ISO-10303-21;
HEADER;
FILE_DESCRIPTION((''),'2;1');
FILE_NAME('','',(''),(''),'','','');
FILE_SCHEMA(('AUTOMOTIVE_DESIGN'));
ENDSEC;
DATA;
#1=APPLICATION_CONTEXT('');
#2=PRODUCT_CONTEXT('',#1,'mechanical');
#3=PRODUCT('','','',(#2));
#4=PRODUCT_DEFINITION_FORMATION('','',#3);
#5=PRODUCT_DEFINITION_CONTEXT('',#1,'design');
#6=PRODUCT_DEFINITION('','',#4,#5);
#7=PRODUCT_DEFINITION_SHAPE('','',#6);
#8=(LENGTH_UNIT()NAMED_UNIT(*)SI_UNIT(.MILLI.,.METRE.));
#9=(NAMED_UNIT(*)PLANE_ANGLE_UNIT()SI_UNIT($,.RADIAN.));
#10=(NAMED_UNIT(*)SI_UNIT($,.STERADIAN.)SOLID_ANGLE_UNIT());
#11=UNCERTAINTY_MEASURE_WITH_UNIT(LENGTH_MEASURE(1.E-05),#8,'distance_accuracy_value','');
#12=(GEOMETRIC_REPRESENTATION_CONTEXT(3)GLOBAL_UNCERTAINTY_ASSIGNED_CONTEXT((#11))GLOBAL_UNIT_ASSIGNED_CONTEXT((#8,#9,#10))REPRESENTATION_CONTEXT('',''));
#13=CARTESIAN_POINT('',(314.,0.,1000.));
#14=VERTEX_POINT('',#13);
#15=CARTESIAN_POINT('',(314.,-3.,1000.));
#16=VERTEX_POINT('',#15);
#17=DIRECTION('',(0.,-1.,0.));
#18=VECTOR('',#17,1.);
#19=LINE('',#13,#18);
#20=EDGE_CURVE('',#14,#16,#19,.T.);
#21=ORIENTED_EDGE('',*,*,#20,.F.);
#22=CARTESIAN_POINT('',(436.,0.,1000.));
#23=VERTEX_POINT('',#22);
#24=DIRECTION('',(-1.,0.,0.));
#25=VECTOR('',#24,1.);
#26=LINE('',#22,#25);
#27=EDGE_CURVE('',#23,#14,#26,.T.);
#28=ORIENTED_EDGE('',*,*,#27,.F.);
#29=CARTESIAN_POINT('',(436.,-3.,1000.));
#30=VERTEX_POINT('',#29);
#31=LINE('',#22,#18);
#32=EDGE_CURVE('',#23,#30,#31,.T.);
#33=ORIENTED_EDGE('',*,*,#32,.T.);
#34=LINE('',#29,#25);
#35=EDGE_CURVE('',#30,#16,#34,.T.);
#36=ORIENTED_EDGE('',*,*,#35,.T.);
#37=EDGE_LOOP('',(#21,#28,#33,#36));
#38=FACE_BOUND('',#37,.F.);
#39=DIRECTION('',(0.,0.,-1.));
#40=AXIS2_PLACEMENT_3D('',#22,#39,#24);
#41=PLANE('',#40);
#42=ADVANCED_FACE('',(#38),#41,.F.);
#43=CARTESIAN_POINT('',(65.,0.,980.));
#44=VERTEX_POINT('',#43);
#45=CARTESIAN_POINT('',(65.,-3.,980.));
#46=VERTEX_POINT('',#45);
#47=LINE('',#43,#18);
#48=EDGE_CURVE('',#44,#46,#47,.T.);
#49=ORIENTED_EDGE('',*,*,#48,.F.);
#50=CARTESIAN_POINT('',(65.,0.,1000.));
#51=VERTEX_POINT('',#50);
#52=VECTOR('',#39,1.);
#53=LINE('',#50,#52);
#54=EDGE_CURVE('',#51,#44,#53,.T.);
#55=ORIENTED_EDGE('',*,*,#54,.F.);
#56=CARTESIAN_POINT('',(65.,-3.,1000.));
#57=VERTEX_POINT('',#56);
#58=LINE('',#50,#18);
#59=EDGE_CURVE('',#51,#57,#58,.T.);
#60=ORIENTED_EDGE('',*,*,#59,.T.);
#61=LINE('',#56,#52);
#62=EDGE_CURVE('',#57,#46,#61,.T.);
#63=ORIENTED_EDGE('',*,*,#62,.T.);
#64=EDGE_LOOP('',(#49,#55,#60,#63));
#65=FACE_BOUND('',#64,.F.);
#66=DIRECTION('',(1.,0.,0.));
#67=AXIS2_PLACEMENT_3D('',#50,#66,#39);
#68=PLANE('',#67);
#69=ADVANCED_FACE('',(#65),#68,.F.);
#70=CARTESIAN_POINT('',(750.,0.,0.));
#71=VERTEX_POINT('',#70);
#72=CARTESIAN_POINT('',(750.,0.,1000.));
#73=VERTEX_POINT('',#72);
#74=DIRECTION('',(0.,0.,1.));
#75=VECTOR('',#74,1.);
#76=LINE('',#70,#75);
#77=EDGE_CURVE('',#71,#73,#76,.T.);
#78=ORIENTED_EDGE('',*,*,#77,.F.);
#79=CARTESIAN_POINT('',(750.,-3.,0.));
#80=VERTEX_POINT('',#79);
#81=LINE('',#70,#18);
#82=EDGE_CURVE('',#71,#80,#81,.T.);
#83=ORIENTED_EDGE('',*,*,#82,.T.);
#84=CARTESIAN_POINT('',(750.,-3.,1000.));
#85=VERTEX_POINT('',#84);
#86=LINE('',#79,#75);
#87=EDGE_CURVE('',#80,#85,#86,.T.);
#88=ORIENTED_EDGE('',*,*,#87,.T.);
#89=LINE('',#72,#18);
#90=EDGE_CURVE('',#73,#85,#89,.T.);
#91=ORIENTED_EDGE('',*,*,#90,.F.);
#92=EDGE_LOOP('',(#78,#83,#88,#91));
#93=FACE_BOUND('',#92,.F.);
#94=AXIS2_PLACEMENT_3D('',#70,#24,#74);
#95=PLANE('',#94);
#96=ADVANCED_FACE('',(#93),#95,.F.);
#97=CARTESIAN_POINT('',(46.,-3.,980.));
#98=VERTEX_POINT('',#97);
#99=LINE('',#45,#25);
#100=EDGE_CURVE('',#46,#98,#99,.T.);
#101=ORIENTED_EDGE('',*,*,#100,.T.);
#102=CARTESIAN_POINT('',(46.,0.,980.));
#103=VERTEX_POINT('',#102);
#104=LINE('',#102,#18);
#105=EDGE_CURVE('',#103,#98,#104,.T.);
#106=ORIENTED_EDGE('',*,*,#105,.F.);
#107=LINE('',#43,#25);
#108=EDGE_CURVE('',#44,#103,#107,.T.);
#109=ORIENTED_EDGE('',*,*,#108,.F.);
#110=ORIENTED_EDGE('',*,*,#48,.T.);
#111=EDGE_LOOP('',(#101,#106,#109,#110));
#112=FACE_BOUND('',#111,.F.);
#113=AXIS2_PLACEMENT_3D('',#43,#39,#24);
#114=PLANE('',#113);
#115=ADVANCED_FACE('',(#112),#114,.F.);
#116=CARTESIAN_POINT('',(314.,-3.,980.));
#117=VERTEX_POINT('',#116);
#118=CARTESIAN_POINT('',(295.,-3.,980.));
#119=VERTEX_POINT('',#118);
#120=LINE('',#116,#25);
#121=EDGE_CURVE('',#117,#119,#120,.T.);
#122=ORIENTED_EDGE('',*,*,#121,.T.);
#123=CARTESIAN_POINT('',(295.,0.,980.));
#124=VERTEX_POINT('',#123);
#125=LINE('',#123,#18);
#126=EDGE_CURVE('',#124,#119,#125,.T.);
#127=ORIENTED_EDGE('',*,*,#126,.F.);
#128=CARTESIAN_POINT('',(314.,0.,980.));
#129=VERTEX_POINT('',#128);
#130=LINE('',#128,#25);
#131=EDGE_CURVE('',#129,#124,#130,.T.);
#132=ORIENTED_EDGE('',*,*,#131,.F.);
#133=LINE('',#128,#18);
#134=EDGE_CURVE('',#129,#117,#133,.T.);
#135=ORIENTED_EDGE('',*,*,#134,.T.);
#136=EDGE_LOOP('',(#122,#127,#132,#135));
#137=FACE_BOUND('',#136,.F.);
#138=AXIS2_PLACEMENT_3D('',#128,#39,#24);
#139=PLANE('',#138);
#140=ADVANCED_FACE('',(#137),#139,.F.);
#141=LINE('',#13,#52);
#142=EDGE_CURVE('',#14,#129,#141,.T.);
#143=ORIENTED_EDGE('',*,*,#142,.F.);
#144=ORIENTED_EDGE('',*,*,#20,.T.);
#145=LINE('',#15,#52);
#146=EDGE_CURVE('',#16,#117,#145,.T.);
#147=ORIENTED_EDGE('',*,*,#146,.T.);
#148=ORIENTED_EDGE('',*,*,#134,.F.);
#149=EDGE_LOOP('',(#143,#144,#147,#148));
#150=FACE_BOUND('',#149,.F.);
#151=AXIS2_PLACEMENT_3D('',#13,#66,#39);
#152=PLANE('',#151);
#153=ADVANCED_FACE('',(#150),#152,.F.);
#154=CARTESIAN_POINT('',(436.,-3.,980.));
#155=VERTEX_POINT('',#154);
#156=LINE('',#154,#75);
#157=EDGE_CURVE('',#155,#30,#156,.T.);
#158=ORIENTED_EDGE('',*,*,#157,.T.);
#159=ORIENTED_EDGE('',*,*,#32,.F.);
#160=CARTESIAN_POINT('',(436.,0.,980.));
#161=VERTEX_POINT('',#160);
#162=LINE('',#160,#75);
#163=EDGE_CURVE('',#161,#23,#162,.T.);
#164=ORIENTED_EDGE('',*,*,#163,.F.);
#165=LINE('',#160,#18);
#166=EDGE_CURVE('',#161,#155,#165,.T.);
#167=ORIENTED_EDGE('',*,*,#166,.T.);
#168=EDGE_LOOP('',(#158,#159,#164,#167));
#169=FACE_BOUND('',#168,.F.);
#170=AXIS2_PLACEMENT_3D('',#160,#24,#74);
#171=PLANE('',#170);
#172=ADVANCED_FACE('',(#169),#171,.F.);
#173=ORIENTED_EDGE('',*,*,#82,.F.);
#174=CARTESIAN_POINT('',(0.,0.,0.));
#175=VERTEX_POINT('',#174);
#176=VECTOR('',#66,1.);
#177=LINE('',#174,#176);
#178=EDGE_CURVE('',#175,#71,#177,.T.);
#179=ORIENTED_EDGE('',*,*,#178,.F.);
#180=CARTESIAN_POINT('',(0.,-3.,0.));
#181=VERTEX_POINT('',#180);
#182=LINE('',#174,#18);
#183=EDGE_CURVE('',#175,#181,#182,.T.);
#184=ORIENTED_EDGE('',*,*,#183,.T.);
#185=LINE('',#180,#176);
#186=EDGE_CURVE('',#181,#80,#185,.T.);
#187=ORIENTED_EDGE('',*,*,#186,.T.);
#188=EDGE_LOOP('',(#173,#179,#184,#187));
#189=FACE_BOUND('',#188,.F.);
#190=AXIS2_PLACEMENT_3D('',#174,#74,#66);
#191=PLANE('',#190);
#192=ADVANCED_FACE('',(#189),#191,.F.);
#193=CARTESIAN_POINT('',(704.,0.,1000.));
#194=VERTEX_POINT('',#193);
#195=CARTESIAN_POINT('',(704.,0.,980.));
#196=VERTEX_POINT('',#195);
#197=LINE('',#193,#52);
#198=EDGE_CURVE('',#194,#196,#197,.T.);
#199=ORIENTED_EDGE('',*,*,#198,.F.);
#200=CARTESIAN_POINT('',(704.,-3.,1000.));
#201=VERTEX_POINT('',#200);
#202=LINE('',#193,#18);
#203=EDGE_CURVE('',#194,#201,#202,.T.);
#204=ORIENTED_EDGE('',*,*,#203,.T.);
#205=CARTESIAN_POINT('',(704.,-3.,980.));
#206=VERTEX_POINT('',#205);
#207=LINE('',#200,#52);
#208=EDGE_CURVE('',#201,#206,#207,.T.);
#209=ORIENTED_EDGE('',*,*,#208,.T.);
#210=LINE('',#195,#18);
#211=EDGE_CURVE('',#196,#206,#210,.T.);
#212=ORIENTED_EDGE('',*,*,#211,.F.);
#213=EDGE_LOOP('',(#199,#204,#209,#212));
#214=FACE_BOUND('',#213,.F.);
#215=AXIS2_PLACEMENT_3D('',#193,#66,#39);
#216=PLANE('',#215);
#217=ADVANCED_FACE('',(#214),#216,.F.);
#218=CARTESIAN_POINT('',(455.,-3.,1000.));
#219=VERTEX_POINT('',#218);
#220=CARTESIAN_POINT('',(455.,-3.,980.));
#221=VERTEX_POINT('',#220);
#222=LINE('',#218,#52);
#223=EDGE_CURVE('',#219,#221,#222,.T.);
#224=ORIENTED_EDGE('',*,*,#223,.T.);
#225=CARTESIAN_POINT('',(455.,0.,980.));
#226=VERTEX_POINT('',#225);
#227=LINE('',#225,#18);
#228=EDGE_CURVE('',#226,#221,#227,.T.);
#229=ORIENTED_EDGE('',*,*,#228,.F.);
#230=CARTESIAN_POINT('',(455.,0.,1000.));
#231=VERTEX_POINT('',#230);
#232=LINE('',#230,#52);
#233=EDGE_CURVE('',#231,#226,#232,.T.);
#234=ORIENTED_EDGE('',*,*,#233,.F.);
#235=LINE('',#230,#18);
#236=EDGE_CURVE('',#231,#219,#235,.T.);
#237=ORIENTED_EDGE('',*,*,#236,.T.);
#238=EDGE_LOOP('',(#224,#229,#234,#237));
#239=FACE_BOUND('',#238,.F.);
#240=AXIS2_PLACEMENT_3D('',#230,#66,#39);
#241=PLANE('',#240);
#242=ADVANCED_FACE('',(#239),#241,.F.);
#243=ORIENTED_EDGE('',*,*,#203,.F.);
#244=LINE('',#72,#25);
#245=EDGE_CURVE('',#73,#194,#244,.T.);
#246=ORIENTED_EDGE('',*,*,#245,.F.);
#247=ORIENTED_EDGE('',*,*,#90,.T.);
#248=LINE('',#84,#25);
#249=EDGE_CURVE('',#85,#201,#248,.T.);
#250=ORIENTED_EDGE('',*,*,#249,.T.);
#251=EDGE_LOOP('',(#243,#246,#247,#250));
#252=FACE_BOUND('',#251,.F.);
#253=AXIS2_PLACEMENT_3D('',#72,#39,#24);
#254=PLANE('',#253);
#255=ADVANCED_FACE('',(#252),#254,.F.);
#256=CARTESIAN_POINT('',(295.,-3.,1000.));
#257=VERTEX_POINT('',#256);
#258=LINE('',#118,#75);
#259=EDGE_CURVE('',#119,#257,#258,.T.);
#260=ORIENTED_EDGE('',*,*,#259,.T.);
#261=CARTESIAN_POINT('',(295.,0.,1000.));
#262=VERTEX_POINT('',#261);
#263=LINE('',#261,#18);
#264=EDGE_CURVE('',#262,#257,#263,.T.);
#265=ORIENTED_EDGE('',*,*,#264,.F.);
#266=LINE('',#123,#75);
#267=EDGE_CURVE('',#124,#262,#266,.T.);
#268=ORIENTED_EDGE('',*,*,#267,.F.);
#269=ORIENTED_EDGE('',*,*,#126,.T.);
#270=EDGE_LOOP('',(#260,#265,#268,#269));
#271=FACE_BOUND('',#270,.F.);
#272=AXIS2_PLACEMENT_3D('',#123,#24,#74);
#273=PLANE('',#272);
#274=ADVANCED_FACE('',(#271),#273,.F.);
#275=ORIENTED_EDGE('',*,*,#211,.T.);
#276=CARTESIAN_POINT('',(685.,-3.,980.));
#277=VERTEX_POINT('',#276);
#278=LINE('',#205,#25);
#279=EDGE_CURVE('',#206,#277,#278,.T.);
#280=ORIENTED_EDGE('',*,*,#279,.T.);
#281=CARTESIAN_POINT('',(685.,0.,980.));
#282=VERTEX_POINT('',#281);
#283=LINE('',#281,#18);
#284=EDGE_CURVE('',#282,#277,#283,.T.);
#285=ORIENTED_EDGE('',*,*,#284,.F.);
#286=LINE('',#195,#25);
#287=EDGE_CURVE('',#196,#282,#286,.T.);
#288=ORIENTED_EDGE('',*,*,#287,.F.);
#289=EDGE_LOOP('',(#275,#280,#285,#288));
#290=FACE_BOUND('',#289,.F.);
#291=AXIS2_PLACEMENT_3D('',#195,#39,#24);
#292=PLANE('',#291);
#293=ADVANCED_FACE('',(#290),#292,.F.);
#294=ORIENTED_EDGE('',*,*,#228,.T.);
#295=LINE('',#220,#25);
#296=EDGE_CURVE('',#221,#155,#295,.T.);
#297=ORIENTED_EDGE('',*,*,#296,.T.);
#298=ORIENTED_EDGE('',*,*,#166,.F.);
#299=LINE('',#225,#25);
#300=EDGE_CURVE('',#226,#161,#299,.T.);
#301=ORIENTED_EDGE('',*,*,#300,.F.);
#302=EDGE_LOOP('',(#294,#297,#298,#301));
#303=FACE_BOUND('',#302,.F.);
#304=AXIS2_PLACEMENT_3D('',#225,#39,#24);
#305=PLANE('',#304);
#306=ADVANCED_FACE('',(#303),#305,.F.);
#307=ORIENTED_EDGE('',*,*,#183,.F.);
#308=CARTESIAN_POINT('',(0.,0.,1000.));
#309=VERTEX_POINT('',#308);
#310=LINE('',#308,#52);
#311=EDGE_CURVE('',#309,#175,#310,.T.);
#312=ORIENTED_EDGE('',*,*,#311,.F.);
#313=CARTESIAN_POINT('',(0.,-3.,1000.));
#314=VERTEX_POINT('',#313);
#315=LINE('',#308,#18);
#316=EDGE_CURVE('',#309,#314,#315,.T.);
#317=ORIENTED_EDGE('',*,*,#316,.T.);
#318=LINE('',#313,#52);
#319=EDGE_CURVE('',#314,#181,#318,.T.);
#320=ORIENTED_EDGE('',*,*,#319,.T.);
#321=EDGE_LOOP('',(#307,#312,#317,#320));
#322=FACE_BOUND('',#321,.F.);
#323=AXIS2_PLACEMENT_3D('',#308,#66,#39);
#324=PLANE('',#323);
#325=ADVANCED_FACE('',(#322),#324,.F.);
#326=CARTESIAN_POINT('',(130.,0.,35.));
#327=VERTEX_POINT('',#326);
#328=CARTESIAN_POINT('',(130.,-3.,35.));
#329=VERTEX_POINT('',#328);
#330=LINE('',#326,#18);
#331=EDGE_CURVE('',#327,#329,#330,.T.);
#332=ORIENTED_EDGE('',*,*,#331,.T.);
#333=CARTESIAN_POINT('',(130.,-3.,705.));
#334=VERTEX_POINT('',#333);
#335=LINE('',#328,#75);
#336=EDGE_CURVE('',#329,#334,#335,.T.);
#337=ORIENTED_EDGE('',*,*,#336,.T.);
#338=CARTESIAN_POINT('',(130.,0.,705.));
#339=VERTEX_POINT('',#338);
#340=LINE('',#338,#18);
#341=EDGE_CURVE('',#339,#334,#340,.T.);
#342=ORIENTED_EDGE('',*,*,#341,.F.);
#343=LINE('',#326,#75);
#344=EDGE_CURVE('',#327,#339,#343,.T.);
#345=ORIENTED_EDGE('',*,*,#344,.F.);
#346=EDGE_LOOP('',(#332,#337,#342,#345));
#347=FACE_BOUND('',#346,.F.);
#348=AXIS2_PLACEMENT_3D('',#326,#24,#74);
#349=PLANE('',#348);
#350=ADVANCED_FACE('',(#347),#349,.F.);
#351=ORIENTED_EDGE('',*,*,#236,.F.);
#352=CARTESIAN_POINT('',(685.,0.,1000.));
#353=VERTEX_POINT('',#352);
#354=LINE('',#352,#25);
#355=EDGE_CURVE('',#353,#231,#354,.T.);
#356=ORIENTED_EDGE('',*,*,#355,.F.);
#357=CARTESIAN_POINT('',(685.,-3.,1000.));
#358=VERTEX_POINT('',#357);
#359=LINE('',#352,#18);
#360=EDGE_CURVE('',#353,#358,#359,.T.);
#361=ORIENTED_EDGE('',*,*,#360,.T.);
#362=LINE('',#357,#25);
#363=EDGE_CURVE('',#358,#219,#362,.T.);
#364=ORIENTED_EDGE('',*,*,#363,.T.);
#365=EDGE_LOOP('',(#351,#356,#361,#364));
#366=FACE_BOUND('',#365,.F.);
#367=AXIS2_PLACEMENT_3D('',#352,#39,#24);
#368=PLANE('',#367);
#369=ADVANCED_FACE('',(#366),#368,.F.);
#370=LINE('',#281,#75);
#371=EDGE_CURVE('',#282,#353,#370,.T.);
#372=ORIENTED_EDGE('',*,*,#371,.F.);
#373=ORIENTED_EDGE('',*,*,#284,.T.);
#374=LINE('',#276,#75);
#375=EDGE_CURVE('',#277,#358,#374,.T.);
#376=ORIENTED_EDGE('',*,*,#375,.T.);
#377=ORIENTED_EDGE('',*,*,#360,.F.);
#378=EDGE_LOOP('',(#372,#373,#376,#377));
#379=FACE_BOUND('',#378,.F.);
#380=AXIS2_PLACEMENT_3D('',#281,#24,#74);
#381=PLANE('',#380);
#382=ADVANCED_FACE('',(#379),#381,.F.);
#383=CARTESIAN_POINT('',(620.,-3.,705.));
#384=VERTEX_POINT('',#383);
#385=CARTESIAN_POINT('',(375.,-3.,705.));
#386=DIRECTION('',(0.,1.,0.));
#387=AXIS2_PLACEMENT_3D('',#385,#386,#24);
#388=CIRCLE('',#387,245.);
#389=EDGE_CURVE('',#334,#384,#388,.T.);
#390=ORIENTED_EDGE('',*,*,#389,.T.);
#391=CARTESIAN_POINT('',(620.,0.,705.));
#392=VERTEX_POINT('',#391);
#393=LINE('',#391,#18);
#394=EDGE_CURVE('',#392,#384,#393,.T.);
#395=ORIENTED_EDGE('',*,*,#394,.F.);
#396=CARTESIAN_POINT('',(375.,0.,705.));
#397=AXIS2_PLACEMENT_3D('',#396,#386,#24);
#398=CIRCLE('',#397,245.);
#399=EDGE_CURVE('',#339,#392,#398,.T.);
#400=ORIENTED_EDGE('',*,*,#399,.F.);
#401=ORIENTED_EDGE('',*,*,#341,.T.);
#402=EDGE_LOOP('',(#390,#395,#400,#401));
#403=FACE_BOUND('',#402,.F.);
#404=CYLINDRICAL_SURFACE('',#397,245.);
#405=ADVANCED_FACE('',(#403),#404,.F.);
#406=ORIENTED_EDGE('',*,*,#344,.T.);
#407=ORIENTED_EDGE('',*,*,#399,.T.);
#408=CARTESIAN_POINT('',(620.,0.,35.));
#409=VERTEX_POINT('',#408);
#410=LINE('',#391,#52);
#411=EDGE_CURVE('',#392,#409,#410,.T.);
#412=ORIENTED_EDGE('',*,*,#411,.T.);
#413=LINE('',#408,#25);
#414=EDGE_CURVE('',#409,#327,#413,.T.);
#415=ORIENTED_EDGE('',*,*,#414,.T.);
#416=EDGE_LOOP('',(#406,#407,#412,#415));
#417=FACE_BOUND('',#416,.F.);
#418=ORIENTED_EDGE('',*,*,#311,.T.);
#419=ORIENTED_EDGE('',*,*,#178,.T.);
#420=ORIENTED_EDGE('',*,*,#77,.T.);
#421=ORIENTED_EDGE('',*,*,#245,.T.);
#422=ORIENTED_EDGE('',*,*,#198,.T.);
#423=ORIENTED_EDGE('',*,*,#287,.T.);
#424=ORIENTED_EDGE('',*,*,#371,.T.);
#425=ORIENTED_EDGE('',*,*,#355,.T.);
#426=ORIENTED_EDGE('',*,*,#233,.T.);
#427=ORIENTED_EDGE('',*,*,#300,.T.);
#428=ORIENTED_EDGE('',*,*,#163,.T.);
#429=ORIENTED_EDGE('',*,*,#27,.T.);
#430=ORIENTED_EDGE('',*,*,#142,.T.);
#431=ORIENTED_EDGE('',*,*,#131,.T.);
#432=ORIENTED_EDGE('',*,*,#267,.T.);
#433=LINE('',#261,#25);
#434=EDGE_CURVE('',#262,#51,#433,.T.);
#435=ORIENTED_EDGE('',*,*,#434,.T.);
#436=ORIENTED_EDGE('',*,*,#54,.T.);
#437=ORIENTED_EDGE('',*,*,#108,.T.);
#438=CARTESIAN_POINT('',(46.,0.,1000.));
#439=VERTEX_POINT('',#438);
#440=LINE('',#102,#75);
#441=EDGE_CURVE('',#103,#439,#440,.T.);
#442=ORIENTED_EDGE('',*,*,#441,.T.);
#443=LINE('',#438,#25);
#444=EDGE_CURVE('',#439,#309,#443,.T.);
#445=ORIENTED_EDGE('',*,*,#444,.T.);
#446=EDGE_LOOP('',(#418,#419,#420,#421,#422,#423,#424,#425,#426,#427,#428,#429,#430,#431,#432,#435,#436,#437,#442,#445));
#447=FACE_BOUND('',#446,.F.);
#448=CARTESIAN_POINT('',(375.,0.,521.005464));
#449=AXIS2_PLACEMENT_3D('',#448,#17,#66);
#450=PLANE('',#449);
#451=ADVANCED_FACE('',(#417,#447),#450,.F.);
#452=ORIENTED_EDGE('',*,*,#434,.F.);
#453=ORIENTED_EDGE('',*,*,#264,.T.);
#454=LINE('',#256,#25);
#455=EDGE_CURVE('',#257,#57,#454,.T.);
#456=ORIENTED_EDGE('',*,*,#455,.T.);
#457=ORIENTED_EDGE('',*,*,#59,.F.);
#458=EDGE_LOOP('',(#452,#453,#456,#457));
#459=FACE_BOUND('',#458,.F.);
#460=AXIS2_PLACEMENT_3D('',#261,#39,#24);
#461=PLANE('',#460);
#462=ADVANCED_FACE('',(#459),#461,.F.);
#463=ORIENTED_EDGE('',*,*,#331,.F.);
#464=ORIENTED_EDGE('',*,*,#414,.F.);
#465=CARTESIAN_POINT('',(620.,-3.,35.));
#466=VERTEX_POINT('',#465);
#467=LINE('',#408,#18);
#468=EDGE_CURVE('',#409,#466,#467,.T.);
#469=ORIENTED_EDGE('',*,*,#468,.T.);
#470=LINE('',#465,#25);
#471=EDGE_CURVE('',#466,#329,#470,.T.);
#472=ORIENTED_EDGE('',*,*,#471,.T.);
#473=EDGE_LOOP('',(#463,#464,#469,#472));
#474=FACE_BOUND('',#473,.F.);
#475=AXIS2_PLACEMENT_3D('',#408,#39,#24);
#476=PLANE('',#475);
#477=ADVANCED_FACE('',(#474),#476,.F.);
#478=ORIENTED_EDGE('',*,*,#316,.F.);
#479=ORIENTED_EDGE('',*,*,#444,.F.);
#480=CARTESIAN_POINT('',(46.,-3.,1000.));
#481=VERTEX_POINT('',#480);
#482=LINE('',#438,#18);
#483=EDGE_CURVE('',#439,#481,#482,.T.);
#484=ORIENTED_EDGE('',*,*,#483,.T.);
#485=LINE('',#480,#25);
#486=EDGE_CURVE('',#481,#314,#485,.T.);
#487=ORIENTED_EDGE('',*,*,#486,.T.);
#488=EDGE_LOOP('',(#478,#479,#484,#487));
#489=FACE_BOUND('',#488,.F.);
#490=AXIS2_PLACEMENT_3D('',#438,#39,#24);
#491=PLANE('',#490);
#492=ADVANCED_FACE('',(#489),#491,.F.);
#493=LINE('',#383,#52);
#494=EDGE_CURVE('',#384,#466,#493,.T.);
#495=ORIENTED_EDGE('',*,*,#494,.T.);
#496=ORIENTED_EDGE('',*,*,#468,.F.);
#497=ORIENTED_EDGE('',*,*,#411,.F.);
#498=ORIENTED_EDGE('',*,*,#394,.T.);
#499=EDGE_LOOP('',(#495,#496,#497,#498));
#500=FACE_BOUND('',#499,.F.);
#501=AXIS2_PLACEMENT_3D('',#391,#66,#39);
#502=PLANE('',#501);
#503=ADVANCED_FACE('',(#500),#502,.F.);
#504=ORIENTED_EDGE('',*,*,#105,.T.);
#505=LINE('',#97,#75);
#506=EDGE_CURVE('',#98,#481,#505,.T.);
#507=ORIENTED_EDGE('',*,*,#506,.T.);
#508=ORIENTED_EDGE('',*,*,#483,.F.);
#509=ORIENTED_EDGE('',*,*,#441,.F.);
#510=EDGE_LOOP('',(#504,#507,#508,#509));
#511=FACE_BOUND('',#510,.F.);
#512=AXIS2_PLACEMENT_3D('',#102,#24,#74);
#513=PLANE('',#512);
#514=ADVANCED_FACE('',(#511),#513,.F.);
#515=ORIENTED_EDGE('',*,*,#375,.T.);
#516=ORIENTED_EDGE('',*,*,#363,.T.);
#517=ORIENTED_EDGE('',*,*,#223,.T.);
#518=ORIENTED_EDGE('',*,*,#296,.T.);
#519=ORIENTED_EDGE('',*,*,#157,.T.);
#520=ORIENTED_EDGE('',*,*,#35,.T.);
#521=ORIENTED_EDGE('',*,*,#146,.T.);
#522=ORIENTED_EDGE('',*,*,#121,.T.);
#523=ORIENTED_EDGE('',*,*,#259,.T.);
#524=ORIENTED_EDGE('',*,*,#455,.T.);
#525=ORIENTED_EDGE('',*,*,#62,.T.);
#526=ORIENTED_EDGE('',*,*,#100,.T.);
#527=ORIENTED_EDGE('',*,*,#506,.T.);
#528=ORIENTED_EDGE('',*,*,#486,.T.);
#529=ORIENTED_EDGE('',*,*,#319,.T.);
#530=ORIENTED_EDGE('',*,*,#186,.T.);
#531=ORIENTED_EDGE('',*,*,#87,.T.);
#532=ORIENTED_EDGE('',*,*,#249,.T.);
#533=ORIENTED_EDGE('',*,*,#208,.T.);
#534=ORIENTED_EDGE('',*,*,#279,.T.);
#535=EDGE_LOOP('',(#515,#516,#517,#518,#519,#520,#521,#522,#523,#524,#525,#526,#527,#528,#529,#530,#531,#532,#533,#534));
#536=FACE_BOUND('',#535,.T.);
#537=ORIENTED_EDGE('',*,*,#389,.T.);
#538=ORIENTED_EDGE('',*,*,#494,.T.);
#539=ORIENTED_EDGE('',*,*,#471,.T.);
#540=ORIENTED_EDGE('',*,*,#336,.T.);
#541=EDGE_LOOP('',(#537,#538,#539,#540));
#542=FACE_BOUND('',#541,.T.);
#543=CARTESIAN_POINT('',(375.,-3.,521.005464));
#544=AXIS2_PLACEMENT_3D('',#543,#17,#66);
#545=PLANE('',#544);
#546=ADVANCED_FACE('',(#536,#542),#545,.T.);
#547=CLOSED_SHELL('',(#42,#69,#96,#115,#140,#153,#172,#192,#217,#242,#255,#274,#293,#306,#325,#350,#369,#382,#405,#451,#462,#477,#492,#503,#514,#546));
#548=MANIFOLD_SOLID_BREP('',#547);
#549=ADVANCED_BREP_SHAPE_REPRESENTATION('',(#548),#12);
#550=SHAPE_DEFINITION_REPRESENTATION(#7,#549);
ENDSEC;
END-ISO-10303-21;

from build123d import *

# Parameters (mm, degrees)
F1_DEPTH = 3


with BuildPart() as f1:
    # F0 (on Front) → F1 (new body)
    with BuildSketch(Plane.XZ):
        Polygon((0, 1000), (0, 0), (750, 0), (750, 1000), (704, 1000), (704, 980), (685, 980), (685, 1000), (455, 1000), (455, 980), (436, 980), (436, 1000), (314, 1000), (314, 980), (295, 980), (295, 1000), (65, 1000), (65, 980), (46, 980), (46, 1000), align=None)
        with BuildLine():
            Line((620, 35), (130, 35))
            Line((130, 35), (130, 705))
            ThreePointArc((130, 705), (375, 950), (620, 705))
            Line((620, 705), (620, 35))
        make_face(mode=Mode.SUBTRACT)
    extrude(amount=F1_DEPTH)


solid = f1.part
